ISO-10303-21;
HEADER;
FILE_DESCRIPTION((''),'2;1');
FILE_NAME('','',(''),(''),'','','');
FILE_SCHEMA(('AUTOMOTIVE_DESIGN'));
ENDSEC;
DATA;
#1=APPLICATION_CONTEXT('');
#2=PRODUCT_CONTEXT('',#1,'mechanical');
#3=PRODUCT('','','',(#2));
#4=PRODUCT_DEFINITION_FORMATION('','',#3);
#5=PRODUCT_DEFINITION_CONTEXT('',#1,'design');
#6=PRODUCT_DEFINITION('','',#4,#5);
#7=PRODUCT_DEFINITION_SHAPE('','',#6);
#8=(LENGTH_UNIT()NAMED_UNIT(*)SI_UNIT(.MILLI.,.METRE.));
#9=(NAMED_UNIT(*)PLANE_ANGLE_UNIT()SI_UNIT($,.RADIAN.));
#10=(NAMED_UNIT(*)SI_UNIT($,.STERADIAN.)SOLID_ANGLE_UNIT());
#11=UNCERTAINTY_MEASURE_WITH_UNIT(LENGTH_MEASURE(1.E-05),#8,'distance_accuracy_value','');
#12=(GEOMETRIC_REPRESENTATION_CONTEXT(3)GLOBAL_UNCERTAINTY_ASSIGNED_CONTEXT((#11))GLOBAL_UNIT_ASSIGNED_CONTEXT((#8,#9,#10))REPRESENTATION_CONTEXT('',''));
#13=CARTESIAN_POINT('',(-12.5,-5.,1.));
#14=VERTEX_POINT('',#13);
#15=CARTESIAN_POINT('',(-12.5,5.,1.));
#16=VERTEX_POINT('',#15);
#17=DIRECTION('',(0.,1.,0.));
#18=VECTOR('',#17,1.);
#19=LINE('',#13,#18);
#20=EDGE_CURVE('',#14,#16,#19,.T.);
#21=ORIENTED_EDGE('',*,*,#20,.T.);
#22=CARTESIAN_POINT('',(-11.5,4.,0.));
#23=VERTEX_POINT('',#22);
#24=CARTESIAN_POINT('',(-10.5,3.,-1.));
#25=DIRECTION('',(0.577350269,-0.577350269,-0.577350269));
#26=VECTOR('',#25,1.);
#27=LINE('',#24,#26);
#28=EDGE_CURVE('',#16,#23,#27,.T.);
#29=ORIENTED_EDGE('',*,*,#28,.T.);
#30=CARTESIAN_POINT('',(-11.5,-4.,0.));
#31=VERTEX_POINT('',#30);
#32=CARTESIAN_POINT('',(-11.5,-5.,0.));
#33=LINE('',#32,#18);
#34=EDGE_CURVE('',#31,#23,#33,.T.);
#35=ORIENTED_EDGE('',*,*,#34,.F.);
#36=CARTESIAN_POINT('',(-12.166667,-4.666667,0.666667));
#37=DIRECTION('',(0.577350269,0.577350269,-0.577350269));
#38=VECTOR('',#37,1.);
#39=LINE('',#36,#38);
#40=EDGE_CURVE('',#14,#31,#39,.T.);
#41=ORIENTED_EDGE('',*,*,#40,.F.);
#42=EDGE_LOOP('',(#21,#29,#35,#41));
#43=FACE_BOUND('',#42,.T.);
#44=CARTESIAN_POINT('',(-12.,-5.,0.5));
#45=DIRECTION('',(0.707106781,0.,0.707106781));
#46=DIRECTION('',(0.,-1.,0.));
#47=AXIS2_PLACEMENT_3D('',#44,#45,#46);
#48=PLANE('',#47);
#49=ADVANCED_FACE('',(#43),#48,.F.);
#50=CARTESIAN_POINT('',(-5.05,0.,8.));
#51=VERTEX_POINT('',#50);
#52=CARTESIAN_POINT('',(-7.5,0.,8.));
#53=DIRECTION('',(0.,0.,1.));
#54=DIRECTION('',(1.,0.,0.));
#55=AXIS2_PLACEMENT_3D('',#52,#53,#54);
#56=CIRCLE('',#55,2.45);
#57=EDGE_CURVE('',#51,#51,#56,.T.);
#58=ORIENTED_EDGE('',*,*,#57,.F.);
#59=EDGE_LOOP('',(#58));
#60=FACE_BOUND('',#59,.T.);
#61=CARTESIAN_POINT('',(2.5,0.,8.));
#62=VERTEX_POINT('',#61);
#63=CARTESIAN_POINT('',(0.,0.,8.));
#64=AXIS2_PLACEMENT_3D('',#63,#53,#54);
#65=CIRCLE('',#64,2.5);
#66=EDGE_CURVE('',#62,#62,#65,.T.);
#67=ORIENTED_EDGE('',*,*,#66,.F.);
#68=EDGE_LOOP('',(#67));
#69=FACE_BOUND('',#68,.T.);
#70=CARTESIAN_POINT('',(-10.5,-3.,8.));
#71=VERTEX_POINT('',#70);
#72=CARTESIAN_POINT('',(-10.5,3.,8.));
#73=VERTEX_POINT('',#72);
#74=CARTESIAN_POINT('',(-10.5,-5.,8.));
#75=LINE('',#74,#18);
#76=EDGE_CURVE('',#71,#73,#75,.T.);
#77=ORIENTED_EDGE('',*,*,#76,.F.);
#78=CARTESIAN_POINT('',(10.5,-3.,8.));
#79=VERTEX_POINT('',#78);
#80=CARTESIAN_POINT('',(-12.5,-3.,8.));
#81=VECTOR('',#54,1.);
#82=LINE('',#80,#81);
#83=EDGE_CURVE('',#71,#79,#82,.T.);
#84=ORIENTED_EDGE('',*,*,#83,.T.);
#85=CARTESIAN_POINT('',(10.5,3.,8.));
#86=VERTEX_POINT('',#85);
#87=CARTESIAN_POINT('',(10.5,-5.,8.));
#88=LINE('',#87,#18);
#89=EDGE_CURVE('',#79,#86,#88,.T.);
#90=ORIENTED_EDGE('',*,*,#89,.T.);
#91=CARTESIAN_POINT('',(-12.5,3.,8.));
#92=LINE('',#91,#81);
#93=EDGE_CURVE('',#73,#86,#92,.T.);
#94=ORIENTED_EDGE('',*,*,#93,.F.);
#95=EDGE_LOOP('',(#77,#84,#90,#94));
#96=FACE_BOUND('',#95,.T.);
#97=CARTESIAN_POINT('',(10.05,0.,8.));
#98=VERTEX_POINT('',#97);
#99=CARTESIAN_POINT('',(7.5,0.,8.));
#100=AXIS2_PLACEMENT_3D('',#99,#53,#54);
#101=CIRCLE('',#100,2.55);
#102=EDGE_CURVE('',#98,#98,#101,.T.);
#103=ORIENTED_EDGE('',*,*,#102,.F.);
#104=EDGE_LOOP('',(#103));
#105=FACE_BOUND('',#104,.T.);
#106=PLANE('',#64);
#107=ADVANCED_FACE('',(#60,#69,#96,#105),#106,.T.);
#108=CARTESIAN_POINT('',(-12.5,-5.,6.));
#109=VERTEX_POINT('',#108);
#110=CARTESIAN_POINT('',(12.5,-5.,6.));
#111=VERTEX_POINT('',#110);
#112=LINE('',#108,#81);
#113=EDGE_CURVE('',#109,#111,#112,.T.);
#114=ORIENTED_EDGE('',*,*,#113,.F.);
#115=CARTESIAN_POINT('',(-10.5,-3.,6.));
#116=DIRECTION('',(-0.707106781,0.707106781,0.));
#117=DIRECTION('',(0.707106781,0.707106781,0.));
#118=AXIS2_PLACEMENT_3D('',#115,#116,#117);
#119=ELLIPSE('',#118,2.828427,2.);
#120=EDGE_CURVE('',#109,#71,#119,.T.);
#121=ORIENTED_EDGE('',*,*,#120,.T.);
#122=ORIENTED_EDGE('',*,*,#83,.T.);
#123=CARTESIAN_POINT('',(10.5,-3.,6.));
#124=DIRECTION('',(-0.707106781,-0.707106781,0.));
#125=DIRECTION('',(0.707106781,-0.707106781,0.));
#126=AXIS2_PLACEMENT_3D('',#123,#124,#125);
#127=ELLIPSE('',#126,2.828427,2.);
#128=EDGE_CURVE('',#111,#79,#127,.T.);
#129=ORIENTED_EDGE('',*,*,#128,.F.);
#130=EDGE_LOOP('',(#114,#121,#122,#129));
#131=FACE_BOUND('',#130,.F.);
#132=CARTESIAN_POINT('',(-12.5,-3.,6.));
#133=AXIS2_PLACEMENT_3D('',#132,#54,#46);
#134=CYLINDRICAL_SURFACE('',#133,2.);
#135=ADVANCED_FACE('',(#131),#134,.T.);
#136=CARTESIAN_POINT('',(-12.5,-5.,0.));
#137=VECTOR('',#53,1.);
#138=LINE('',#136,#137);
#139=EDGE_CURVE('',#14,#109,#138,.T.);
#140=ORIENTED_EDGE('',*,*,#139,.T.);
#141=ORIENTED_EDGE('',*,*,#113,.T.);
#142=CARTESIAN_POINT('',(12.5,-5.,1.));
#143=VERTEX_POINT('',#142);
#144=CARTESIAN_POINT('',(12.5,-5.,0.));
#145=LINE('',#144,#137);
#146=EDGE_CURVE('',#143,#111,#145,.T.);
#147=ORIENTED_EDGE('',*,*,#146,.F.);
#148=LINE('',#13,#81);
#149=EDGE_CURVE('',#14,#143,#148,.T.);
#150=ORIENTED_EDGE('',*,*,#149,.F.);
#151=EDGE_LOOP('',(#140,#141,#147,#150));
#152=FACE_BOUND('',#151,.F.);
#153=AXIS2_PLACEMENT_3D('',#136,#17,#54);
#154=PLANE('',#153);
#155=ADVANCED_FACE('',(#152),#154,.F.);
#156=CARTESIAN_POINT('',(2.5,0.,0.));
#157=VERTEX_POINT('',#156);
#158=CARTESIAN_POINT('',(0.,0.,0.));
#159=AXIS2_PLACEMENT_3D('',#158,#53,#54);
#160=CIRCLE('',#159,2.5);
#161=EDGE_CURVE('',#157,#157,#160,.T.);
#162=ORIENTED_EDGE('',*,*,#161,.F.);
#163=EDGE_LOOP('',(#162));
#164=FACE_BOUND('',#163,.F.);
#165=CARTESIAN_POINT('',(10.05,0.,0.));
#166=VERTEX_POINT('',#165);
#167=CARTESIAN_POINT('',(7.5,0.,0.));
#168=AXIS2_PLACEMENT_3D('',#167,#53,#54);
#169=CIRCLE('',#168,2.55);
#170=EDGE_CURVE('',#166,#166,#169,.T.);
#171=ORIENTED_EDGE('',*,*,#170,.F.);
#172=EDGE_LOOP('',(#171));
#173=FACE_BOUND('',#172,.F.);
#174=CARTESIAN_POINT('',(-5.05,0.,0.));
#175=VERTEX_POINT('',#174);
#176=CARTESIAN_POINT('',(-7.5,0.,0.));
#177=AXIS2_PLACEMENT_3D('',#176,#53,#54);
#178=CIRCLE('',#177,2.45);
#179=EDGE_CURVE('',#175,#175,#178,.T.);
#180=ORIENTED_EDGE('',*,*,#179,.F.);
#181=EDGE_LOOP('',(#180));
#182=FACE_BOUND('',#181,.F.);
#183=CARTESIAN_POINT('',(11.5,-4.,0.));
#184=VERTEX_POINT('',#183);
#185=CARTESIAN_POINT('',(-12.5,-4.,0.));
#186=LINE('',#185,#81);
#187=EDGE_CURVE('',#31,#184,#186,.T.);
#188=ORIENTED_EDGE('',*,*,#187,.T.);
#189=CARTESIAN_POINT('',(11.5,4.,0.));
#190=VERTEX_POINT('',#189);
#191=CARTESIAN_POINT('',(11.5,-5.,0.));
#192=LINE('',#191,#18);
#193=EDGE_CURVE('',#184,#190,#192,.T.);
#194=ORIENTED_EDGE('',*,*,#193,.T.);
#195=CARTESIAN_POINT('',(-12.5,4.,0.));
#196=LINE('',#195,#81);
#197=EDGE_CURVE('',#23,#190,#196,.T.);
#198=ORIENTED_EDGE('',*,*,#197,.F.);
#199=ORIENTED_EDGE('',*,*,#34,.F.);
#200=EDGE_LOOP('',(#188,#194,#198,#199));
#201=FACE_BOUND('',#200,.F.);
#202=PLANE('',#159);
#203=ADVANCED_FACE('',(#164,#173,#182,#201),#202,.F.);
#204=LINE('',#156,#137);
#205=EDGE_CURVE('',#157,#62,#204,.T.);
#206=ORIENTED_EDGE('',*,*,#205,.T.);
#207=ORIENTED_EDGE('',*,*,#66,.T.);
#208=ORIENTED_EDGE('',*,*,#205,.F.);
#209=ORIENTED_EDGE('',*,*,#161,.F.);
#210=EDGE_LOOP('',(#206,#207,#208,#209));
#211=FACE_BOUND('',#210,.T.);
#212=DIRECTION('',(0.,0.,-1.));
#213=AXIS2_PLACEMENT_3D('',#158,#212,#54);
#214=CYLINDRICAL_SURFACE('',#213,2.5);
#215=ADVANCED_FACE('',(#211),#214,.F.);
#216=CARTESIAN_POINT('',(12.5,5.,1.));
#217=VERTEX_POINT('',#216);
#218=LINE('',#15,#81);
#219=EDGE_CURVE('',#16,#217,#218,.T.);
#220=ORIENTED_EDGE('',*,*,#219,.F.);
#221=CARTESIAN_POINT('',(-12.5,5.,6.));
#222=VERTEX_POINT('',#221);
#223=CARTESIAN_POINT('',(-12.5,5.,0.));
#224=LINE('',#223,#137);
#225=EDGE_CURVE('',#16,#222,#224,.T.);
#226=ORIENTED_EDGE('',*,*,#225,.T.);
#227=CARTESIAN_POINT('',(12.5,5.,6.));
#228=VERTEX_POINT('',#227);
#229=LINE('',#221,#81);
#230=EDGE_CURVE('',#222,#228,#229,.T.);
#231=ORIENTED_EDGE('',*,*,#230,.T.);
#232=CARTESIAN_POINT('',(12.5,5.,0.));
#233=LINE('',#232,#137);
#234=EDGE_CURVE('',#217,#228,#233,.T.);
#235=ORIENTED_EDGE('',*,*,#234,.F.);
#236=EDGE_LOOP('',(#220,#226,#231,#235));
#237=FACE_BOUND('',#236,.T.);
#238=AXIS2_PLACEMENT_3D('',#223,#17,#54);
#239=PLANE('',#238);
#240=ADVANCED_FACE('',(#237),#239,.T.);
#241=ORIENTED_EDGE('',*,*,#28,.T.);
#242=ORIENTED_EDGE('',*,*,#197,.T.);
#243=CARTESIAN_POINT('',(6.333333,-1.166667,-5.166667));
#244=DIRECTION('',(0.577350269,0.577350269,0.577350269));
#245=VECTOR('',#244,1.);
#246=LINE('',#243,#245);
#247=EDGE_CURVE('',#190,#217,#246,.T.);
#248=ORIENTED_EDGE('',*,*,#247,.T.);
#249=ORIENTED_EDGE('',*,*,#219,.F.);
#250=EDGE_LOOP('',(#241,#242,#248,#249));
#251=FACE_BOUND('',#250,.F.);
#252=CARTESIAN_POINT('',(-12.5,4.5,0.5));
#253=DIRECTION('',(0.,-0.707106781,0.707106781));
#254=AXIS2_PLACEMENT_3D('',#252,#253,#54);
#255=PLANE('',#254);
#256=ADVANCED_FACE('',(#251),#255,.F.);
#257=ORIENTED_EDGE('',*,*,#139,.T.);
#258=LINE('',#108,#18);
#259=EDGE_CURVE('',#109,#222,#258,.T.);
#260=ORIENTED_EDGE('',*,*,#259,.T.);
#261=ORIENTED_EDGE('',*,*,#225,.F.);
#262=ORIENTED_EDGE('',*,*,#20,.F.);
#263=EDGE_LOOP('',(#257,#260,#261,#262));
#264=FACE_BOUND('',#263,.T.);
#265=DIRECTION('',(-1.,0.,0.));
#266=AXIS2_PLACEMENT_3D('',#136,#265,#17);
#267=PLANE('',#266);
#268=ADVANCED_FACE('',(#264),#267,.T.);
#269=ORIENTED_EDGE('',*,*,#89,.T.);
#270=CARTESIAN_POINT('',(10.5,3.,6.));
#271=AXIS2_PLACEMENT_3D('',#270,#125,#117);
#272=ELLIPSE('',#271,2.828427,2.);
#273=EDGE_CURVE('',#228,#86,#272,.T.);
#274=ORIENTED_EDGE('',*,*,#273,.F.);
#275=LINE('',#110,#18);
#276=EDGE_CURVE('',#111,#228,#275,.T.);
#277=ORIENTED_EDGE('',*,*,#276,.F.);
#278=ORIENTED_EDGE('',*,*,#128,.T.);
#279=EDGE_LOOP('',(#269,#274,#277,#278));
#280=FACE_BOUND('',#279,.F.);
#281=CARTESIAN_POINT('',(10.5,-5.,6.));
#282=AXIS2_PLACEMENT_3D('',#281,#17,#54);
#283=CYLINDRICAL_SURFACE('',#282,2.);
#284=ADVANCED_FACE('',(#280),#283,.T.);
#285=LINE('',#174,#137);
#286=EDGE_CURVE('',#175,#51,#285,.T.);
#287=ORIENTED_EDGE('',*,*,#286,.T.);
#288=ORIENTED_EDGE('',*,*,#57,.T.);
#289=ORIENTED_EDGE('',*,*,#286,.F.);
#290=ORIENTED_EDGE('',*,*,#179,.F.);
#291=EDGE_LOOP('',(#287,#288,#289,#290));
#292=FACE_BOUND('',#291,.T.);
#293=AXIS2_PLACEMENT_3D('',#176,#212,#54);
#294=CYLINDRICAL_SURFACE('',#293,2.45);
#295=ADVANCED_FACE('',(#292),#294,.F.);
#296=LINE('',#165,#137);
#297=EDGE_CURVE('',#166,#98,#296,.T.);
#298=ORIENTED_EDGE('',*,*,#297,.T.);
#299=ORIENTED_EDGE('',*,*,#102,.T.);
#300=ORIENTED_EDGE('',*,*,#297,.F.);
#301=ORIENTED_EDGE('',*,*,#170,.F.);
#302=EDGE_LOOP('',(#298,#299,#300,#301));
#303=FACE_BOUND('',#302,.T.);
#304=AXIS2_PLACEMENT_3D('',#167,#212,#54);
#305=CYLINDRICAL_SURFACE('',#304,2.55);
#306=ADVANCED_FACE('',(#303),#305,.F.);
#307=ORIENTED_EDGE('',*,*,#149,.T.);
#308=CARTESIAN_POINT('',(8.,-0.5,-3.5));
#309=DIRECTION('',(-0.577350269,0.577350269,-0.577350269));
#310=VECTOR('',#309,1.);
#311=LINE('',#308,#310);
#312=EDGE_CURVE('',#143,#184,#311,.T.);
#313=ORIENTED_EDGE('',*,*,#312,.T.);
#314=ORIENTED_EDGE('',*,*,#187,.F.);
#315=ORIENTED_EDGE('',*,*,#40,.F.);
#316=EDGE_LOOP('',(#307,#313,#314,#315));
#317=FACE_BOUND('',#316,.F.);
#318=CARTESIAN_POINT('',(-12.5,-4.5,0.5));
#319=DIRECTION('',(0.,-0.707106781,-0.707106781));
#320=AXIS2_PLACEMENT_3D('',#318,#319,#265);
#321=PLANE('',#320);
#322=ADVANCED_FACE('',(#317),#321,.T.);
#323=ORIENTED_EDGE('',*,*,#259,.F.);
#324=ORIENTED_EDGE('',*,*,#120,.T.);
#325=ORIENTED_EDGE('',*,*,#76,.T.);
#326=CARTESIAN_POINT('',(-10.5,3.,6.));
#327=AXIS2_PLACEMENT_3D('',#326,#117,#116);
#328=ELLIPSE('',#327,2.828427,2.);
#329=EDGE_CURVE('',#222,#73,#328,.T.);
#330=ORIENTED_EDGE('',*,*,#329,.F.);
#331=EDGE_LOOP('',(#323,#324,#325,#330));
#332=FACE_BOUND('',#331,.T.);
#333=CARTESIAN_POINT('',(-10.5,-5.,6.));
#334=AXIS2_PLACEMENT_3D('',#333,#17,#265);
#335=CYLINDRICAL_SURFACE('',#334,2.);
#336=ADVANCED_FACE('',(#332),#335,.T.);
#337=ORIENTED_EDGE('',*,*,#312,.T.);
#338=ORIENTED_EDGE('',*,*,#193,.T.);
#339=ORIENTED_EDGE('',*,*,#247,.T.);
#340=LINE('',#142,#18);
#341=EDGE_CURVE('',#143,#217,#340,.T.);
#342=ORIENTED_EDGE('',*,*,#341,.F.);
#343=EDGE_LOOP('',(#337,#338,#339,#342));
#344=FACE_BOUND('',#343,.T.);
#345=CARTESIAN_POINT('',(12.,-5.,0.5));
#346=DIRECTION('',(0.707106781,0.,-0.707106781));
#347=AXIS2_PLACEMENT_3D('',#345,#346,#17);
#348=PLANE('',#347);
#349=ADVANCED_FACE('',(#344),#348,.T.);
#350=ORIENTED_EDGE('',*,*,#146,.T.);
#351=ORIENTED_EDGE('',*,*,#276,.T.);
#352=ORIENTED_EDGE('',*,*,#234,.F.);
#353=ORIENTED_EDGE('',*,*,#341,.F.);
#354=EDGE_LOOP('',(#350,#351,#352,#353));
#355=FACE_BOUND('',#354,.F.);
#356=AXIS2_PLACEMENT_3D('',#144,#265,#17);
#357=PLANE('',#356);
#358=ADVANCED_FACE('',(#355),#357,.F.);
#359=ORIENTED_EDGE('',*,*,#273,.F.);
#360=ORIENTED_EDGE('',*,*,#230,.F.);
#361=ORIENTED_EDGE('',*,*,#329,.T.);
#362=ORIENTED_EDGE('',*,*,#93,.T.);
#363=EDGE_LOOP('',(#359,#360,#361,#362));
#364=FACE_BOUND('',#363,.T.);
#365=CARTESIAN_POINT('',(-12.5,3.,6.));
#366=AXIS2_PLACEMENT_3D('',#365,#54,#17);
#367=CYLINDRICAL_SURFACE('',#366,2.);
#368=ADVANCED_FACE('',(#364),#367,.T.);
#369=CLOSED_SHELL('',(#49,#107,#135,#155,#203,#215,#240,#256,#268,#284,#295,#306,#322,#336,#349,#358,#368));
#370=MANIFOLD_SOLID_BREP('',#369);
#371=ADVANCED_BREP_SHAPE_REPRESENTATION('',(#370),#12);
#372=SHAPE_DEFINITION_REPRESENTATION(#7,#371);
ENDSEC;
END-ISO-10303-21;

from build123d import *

# Parameters (mm, degrees)
F0_W     = 25
F0_H     = 10
F0_R     = 2.45
F0_R_2   = 2.5
F0_R_3   = 2.55
F1_DEPTH = 8
F2_R     = 2
F3_SIZE  = 1


with BuildPart() as f1:
    # F0 (on Top) → F1 (new body)
    with BuildSketch(Plane.XY):
        Rectangle(F0_W, F0_H)
        with Locations((-7.5, 0)):
            Circle(F0_R, mode=Mode.SUBTRACT)
        Circle(F0_R_2, mode=Mode.SUBTRACT)
        with Locations((7.5, 0)):
            Circle(F0_R_3, mode=Mode.SUBTRACT)
    extrude(amount=F1_DEPTH)

    # F2
    f2_edges = [f1.edges().sort_by_distance(p)[0] for p in [
        (0, -5, 8),
        (-12.5, 0, 8),
        (0, 5, 8),
        (12.5, 0, 8),
    ]]
    fillet(f2_edges, radius=F2_R)

    # F3
    f3_edges = [f1.edges().sort_by_distance(p)[0] for p in [
        (-12.5, 0, 0),
        (0, -5, 0),
        (0, 5, 0),
        (12.5, 0, 0),
    ]]
    chamfer(f3_edges, length=F3_SIZE)


solid = f1.part
